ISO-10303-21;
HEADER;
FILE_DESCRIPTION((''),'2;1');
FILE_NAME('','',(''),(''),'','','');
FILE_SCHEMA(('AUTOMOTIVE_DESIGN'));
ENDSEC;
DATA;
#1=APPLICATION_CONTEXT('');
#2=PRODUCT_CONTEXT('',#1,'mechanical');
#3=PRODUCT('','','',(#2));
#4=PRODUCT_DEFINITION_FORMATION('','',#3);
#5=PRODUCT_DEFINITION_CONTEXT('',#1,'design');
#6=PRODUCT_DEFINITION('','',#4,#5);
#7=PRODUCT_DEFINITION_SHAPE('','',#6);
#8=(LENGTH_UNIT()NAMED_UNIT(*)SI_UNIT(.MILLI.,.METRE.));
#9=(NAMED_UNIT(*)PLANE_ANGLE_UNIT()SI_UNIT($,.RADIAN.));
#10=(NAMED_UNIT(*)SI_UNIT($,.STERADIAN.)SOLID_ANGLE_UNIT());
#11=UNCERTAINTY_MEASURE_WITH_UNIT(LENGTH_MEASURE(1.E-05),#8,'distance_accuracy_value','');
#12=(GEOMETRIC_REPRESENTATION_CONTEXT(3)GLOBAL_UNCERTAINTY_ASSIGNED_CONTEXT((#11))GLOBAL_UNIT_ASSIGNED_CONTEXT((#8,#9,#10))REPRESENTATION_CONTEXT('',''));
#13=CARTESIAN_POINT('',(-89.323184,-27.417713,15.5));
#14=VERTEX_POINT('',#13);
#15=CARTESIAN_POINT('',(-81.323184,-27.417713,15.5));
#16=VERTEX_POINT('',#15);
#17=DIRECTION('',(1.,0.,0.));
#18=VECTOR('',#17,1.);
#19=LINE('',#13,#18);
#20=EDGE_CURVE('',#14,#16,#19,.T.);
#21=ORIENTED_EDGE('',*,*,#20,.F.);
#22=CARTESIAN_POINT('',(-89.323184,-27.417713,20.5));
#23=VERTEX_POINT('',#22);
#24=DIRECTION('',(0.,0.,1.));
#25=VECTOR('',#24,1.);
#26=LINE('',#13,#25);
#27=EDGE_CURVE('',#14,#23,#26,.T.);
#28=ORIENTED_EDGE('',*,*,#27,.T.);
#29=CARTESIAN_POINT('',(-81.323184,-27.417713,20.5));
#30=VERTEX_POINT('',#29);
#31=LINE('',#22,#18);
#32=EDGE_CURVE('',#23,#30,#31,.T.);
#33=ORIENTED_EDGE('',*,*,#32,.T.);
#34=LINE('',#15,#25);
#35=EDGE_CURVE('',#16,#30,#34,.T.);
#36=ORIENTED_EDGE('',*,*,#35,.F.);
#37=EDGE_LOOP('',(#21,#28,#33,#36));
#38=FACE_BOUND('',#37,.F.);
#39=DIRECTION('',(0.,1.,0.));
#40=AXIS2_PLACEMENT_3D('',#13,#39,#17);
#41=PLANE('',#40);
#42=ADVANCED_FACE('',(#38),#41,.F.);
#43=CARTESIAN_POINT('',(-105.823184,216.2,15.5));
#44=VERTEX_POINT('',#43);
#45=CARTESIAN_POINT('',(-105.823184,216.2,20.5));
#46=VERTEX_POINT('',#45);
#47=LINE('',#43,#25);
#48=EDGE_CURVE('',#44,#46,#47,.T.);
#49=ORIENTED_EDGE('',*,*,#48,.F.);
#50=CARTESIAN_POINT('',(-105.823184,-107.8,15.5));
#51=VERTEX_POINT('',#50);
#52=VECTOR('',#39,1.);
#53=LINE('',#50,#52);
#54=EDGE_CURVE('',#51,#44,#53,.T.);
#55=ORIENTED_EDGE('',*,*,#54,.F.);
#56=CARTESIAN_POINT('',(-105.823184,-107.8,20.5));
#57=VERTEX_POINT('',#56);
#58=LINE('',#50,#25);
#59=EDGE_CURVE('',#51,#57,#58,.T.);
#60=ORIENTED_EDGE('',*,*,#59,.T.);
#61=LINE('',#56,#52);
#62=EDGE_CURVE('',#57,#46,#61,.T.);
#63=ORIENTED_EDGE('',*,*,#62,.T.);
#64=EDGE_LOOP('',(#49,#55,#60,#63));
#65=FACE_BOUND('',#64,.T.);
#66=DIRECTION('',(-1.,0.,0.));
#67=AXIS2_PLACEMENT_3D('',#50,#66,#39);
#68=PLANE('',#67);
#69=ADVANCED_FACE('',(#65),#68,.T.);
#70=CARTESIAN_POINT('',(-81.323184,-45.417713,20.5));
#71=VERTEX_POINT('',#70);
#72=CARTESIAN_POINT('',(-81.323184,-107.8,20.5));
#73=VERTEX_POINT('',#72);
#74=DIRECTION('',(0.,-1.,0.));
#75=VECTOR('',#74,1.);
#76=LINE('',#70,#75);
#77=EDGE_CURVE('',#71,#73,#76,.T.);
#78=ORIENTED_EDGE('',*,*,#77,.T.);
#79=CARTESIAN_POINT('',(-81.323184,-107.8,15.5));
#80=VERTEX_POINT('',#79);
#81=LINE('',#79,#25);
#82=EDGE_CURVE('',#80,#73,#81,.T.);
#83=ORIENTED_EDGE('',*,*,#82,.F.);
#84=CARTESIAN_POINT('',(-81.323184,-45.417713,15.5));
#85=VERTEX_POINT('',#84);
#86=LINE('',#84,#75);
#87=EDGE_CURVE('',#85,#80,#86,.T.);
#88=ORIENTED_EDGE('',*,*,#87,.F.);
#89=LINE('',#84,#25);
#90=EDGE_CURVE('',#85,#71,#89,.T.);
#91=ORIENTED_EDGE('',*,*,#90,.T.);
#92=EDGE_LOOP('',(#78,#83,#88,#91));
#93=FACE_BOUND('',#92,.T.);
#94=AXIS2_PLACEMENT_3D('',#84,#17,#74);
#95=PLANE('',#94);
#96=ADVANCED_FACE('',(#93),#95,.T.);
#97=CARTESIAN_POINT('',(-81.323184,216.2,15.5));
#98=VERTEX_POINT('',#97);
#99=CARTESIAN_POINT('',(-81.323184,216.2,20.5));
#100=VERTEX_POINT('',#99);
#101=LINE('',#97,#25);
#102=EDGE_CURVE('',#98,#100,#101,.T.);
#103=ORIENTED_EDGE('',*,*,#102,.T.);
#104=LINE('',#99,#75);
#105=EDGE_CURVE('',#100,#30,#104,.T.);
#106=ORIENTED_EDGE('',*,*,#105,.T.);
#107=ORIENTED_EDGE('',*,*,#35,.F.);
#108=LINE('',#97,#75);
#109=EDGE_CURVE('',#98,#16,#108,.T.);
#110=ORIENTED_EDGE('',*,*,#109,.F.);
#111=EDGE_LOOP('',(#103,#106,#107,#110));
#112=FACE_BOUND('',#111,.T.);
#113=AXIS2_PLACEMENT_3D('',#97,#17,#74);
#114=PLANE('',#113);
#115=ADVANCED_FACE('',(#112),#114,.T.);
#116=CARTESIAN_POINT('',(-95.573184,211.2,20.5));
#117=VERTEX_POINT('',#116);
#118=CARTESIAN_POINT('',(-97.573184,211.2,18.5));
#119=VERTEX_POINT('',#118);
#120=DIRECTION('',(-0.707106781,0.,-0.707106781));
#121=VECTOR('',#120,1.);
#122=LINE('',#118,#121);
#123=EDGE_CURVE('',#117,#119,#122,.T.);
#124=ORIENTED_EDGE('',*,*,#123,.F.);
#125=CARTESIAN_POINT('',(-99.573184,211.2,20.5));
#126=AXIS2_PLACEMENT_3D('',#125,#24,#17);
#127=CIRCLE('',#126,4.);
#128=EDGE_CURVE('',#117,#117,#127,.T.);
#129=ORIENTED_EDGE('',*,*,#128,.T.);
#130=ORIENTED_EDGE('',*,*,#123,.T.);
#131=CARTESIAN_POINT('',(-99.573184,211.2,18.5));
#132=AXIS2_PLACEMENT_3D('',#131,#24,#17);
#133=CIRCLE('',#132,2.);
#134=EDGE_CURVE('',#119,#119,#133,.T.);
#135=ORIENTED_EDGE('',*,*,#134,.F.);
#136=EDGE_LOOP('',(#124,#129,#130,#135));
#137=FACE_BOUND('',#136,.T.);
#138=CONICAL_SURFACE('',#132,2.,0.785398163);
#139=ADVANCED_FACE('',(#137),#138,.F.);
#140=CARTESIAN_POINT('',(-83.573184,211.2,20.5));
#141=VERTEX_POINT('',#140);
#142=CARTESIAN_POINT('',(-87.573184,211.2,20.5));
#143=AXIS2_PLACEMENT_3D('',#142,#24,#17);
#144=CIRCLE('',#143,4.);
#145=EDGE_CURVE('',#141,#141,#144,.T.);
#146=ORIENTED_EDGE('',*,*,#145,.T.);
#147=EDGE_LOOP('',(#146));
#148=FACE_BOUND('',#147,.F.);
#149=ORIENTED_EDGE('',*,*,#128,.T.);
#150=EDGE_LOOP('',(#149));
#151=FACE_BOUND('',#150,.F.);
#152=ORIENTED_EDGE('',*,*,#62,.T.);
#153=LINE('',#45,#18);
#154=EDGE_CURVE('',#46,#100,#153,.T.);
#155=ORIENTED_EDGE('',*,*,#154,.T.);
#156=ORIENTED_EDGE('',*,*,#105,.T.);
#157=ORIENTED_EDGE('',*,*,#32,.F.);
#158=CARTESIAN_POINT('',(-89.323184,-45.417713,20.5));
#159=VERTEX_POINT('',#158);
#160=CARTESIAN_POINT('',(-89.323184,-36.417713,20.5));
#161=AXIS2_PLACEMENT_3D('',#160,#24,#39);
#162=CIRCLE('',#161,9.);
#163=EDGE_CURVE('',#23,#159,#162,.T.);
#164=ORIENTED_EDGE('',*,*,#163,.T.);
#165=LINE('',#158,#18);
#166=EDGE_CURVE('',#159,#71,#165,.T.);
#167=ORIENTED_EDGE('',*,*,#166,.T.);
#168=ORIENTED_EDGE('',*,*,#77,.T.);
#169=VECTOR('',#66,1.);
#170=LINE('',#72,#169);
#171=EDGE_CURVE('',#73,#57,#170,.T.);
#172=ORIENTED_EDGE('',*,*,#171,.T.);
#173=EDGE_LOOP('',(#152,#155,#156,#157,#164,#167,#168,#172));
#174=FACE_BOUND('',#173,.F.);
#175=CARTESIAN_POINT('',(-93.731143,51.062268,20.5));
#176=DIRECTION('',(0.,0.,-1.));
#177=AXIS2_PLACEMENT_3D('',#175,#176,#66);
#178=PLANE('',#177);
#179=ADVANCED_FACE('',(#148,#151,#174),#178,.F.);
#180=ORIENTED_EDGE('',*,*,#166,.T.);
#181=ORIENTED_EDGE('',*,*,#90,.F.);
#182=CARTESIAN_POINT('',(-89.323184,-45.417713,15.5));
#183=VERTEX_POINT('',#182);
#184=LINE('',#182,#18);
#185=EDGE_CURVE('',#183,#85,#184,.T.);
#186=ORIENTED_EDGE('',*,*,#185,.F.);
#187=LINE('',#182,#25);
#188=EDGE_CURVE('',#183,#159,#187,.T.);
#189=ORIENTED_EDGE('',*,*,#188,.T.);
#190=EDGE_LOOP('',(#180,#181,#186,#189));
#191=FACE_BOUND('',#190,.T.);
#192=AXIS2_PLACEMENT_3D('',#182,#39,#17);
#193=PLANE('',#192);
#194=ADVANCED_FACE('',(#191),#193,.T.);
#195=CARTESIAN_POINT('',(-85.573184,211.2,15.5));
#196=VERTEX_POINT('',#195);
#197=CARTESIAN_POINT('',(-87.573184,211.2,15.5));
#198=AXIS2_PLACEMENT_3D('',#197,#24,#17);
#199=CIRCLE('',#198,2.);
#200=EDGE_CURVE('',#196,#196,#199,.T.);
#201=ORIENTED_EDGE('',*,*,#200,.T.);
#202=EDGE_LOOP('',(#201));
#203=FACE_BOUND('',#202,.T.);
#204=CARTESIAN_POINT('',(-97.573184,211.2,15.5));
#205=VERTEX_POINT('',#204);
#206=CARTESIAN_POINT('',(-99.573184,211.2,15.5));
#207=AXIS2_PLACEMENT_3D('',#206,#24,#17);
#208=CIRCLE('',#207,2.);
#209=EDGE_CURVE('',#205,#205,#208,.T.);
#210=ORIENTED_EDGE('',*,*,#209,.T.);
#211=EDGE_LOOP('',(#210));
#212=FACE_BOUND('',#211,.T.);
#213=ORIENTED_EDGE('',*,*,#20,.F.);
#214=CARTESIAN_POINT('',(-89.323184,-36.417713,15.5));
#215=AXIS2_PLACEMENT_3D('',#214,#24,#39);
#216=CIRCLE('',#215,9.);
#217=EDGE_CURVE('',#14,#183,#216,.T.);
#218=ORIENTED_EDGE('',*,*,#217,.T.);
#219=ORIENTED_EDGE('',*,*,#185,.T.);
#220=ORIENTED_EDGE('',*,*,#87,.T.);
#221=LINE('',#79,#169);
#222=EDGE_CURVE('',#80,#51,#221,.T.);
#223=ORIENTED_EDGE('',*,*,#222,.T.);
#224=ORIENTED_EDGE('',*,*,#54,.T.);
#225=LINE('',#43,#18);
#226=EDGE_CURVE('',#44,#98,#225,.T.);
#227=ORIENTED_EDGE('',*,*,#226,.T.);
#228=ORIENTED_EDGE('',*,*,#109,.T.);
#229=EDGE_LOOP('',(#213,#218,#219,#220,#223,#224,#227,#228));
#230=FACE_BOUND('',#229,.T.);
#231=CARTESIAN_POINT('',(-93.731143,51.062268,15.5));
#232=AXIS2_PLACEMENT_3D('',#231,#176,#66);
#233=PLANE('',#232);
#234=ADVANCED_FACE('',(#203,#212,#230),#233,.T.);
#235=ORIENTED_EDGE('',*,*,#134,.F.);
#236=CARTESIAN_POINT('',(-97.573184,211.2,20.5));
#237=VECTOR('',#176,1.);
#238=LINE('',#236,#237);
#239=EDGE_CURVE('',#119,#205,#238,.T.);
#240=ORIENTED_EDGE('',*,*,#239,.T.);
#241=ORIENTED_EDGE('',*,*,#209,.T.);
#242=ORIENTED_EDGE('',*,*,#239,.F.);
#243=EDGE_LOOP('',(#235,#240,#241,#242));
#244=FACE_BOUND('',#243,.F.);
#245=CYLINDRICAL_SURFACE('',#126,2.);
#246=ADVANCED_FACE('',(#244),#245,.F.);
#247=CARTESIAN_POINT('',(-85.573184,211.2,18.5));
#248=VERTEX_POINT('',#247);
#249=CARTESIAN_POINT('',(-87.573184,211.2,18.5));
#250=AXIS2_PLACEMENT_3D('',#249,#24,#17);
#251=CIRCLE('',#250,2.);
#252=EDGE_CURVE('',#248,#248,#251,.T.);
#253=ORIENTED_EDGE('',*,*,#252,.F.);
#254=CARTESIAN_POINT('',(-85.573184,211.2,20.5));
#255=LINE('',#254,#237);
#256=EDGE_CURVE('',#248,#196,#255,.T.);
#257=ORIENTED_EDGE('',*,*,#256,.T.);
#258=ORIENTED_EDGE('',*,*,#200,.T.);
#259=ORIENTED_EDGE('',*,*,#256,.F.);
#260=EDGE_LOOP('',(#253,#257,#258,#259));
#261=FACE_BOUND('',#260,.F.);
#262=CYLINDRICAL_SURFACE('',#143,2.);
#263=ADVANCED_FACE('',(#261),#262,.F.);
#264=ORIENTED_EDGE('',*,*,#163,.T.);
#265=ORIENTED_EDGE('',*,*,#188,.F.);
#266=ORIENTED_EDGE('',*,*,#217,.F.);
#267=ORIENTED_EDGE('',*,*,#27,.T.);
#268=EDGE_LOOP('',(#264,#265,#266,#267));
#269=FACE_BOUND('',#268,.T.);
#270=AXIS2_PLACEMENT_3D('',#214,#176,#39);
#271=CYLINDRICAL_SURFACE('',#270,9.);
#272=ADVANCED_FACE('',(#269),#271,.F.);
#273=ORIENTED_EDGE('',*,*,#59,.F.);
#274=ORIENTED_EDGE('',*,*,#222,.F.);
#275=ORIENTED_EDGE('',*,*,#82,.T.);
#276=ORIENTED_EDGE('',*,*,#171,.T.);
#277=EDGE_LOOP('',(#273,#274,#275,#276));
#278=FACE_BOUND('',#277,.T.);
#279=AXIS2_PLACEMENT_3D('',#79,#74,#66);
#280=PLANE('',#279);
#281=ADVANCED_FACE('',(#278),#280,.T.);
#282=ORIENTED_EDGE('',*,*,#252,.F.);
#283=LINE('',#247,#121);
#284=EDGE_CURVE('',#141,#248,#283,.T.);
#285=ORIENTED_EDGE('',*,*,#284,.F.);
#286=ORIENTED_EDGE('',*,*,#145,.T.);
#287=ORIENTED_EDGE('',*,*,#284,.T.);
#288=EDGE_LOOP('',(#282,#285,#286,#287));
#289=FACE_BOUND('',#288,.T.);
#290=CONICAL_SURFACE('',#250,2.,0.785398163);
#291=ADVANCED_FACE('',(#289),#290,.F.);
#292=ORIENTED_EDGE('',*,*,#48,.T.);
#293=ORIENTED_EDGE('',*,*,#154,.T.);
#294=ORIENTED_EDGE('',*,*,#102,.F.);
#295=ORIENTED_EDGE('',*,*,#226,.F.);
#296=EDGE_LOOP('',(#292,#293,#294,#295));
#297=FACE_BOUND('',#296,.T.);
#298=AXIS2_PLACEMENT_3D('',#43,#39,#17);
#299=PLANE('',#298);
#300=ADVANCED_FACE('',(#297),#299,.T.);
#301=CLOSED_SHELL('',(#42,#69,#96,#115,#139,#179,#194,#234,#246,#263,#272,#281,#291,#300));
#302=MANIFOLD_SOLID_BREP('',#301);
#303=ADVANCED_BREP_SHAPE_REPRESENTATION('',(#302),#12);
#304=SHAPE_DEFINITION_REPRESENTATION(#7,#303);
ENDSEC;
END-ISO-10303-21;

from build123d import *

# Parameters (mm, degrees)
PAD026_DEPTH    = 5
SKETCH058_R     = 2
POCKET036_DEPTH = 5.001
CHAMFER020_SIZE = 2


with BuildPart() as part:
    # Sketch053 → Pad026 (new body)
    with BuildSketch(Plane.XY):
        with BuildLine():
            Line((-81.323184, -45.417713), (-81.323184, -107.8))
            Line((-81.323184, -107.8), (-105.823184, -107.8))
            Line((-105.823184, -107.8), (-105.823184, 216.2))
            Line((-105.823184, 216.2), (-81.323184, 216.2))
            Line((-81.323184, 216.2), (-81.323184, -27.417713))
            Line((-89.323184, -27.417713), (-81.323184, -27.417713))
            ThreePointArc((-89.323184, -27.417713), (-98.323184, -36.417713), (-89.323184, -45.417713))
            Line((-89.323184, -45.417713), (-81.323184, -45.417713))
        make_face()
    extrude(amount=PAD026_DEPTH)

    # Sketch058 (on Face10 of Pad026) → Pocket036 (cut, through all)
    with BuildSketch(Plane.XY.offset(5)):
        with Locations((-99.573184, 211.2)):
            Circle(SKETCH058_R)
        with Locations((-87.573184, 211.2)):
            Circle(SKETCH058_R)
    extrude(amount=-POCKET036_DEPTH, mode=Mode.SUBTRACT)

    # Chamfer020
    chamfer020_edges = [part.edges().sort_by_distance(p)[0] for p in [
        (-89.573184, 211.2, 5),
        (-101.573184, 211.2, 5),
    ]]
    chamfer(chamfer020_edges, length=CHAMFER020_SIZE)


with BuildPart() as part_1:
    # Body019 placement: moved
    add(part.part.moved(Location((0, 0, 15.5))))


solid = part_1.part
